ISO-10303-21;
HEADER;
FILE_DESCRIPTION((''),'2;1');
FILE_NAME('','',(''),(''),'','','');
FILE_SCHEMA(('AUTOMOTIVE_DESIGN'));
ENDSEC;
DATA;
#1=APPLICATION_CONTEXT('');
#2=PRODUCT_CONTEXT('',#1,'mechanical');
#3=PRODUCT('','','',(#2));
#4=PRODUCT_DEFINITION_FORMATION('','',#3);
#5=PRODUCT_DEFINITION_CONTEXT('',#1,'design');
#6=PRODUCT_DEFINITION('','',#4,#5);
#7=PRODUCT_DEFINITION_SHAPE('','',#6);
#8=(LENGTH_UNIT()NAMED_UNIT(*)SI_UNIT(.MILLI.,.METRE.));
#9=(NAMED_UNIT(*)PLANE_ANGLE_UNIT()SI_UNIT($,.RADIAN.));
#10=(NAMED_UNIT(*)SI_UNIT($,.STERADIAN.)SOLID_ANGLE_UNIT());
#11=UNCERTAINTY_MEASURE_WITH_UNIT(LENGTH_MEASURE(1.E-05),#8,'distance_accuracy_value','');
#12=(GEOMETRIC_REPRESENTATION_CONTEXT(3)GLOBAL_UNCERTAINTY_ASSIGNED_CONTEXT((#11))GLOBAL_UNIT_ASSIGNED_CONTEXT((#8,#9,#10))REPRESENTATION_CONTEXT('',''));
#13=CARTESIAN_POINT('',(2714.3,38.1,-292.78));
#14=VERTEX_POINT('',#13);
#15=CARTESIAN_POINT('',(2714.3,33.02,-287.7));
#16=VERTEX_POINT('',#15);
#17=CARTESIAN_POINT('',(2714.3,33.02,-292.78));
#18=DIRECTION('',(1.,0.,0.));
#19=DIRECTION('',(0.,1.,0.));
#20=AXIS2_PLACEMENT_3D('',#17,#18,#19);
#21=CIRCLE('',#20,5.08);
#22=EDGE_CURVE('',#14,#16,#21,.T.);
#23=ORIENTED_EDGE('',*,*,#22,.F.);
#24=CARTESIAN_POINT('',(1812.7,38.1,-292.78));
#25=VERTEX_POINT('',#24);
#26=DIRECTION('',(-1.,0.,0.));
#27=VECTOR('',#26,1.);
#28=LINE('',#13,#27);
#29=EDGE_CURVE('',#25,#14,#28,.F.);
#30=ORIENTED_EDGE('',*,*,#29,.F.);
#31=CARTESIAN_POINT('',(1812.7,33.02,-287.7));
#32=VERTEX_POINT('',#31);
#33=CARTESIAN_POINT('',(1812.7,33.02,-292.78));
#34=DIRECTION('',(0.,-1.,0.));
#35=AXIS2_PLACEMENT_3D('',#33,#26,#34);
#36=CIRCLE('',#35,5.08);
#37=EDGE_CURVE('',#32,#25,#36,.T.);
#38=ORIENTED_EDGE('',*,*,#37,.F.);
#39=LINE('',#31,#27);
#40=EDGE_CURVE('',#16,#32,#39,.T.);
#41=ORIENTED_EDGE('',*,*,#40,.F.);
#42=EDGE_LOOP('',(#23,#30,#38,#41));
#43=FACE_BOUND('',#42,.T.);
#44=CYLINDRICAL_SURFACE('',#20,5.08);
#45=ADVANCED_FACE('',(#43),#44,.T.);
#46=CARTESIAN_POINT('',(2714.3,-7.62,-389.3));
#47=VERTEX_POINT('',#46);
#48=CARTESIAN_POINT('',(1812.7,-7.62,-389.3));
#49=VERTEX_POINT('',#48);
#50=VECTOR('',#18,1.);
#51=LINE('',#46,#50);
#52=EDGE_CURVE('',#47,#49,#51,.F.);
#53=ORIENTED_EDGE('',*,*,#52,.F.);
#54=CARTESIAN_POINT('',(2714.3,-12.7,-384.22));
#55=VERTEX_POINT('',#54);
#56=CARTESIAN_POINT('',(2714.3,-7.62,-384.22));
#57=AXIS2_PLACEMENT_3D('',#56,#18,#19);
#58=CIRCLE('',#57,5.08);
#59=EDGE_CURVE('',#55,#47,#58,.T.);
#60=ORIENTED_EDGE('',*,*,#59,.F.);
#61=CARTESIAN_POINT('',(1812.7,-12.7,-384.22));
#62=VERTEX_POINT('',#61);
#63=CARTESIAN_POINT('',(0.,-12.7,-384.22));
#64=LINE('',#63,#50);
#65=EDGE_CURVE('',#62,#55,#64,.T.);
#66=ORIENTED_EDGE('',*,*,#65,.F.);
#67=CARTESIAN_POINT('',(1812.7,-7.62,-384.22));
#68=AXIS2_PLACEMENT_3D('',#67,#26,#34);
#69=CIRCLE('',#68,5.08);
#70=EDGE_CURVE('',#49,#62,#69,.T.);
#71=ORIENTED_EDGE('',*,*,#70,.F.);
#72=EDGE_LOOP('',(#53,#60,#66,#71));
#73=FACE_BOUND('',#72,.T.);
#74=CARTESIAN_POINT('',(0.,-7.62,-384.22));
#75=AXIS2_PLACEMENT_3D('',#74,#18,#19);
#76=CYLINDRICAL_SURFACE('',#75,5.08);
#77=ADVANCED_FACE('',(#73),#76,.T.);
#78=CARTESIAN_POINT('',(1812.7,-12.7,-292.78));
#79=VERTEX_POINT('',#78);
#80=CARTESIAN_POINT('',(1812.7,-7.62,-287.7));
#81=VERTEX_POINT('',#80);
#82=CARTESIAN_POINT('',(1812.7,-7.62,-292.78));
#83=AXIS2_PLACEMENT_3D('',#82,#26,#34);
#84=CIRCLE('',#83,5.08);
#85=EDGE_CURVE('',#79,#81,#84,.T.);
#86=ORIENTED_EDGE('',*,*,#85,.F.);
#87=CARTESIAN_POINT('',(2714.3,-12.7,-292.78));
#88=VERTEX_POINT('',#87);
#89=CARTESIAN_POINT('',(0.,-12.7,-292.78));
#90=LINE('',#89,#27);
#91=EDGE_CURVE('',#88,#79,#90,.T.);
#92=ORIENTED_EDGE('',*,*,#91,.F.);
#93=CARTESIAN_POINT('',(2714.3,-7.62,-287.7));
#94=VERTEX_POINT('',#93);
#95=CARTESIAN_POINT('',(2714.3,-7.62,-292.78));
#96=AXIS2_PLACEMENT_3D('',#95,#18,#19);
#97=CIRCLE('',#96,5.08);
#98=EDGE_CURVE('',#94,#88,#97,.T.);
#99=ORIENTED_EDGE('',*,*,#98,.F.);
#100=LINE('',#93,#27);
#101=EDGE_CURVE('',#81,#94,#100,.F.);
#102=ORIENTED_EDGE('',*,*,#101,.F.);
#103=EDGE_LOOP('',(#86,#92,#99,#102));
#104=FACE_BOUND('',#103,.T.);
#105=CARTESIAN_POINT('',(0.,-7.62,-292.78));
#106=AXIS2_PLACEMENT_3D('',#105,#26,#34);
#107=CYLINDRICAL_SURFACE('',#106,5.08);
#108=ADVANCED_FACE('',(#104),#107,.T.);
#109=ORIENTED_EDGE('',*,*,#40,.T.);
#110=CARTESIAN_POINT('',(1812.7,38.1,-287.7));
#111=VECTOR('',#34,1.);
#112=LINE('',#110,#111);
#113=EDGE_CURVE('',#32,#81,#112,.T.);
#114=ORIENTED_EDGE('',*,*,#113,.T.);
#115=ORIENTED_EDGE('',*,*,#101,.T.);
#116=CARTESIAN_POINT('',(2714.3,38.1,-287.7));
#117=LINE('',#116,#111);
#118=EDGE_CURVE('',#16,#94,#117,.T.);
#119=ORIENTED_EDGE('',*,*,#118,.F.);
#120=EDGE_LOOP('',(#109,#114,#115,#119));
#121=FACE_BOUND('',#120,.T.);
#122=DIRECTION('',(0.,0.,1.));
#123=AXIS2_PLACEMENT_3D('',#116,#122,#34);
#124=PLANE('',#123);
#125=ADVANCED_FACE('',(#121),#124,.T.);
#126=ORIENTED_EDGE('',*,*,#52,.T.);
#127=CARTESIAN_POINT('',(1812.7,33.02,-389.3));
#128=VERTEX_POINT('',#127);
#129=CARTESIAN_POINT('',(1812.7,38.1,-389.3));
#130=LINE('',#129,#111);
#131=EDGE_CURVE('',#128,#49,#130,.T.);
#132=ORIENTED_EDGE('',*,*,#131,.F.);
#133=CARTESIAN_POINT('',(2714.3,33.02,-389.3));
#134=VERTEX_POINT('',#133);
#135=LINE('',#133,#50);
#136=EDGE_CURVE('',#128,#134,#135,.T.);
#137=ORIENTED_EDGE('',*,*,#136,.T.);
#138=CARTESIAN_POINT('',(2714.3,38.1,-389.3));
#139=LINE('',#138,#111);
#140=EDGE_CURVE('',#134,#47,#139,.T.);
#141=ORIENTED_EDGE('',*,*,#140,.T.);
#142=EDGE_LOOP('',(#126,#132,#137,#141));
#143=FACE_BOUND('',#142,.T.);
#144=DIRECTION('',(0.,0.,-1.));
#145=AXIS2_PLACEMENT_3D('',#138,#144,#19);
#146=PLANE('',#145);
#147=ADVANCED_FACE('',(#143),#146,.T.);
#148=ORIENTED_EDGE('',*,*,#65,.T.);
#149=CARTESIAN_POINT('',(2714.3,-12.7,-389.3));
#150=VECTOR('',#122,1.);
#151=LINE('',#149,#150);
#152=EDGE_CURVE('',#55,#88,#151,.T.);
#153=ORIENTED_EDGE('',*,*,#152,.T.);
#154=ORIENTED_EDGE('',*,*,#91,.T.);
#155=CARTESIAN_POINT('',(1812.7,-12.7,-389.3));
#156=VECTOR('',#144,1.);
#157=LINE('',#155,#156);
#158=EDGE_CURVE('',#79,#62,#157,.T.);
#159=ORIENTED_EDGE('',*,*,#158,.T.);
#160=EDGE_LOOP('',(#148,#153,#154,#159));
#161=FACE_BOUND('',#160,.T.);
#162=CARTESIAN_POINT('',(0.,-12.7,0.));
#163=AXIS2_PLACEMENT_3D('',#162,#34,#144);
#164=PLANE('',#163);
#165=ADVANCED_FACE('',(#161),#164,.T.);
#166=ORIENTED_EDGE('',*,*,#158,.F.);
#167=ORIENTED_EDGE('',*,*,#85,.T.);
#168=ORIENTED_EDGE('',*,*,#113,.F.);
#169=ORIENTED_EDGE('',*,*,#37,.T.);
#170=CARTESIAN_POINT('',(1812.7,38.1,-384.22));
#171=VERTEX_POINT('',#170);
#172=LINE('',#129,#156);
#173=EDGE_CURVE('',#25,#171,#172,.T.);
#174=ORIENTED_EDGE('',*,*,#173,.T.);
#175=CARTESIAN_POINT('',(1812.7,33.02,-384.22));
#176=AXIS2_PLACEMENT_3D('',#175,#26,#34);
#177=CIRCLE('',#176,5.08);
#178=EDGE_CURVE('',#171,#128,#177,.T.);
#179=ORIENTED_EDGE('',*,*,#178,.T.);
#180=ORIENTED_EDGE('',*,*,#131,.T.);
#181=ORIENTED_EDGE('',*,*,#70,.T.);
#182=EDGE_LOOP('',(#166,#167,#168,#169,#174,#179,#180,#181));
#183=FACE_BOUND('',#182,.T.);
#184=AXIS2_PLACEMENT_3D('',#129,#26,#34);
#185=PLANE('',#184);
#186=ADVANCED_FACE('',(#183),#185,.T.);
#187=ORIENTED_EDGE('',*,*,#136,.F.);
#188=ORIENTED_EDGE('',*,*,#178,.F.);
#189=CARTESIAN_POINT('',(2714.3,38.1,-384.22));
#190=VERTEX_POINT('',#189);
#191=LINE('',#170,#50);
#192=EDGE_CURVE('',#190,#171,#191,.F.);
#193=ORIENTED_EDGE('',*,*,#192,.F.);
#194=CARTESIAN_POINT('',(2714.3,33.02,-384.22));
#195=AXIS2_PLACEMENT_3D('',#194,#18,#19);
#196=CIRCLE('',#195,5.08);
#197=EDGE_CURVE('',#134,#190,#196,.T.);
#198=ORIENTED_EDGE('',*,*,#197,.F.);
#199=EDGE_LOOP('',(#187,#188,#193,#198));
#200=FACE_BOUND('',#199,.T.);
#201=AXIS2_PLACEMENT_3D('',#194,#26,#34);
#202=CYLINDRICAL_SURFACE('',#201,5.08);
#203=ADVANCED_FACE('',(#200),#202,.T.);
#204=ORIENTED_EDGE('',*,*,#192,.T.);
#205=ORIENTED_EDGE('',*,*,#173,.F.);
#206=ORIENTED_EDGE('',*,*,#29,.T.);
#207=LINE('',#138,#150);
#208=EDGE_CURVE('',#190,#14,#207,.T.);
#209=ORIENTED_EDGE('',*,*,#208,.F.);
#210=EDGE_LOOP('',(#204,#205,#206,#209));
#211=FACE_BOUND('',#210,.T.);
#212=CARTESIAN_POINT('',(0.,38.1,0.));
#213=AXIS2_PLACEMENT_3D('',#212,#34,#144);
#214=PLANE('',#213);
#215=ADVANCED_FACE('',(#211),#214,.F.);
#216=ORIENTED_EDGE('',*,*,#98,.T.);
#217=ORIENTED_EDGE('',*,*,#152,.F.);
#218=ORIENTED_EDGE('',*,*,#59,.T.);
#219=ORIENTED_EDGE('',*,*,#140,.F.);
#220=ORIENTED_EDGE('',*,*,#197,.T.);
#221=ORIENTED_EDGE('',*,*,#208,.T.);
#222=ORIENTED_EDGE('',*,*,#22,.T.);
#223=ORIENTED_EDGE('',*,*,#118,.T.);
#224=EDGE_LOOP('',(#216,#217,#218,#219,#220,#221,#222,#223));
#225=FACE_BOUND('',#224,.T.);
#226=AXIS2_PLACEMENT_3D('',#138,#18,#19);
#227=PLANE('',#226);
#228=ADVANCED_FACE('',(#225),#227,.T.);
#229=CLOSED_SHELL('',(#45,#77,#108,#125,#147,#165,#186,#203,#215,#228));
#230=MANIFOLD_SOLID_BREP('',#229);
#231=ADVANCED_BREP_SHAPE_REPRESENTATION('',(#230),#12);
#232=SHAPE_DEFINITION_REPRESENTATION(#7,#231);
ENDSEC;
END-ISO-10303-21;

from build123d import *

# Parameters (mm, degrees)
SKETCH1_W           = 901.6
SKETCH1_H           = 101.6
BOSS_EXTRUDE1_DEPTH = 50.8
FILLET1_R           = 5.08


with BuildPart() as part:
    # Sketch1 → Boss-Extrude1 (new body)
    with BuildSketch(Plane(origin=(0, -12.7, 0), x_dir=(-1, 0, 0), z_dir=(0, -1, 0))):
        with Locations((-2263.5, 338.5)):
            Rectangle(SKETCH1_W, SKETCH1_H)
    extrude(amount=-BOSS_EXTRUDE1_DEPTH)

    # Fillet1
    fillet1_edges = [part.edges().sort_by_distance(p)[0] for p in [
        (2263.5, 38.1, -389.3),
        (2263.5, -12.7, -389.3),
        (2263.5, -12.7, -287.7),
        (2263.5, 38.1, -287.7),
    ]]
    fillet(fillet1_edges, radius=FILLET1_R)


solid = part.part
